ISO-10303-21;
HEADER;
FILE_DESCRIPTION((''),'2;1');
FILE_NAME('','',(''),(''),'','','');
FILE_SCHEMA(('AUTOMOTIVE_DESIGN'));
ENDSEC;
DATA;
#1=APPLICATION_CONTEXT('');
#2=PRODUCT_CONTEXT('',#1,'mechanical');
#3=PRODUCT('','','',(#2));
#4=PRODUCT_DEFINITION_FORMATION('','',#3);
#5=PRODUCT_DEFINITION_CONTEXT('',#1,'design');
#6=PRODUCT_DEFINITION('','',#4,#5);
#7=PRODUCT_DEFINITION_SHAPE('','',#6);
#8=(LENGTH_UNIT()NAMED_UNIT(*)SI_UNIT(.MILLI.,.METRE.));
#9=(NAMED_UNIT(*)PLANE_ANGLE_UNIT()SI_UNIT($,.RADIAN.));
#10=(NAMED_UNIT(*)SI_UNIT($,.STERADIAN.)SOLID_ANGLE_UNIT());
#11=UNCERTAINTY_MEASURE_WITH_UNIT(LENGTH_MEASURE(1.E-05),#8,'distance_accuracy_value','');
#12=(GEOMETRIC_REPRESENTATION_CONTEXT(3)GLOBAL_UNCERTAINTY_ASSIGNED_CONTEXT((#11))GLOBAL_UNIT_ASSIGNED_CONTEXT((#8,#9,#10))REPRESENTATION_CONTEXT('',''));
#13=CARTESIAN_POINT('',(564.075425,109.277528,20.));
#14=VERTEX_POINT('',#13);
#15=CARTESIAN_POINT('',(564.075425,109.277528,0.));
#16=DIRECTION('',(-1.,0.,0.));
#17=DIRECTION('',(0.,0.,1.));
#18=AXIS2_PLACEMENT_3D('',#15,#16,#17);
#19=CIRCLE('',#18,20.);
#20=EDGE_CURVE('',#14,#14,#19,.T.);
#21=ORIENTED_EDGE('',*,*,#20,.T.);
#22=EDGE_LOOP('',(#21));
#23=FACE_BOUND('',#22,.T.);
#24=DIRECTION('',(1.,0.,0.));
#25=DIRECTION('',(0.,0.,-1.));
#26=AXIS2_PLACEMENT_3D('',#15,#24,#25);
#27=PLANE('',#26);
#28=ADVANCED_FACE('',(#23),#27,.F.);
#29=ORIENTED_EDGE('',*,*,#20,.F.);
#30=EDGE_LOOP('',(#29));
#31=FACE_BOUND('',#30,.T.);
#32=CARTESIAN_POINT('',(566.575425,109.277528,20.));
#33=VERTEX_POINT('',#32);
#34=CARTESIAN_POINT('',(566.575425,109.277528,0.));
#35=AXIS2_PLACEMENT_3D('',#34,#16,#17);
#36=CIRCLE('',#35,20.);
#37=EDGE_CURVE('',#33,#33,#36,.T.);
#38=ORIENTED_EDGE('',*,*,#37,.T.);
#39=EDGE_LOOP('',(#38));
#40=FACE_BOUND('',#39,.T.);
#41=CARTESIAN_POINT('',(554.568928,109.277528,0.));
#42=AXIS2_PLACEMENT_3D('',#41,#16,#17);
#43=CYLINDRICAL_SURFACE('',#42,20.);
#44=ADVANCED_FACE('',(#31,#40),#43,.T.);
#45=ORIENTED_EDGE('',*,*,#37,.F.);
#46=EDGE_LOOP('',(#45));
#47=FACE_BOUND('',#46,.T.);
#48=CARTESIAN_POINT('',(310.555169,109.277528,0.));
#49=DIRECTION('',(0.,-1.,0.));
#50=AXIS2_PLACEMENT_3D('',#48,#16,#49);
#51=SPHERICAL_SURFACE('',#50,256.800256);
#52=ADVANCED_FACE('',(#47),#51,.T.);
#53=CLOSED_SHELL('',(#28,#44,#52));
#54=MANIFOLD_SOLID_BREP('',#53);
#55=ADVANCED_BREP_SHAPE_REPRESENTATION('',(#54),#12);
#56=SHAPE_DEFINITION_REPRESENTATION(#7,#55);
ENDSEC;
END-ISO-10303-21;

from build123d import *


with BuildPart() as part:
    # 草图1 → 旋转1 (revolve)
    with BuildSketch(Plane.XY, mode=Mode.PRIVATE) as revolve_1_sk:
        with BuildLine():
            Line((564.075425233, 109.277527894), (564.075425233, 129.277527894))
            Line((564.075425233, 129.277527894), (566.575425233, 129.277527894))
            ThreePointArc((566.575425233, 129.277527894), (567.16035114, 119.285130005), (567.355425233, 109.277527894))
            Line((567.355425233, 109.277527894), (564.075425233, 109.277527894))
        make_face()
    revolve(revolve_1_sk.sketch.rotate(Axis((554.568927913, 109.277527894, 0), (1, 0, 0)), 180), axis=Axis((554.568927913, 109.277527894, 0), (1, 0, 0)))  # turned: the seam where the file's is


solid = part.part
